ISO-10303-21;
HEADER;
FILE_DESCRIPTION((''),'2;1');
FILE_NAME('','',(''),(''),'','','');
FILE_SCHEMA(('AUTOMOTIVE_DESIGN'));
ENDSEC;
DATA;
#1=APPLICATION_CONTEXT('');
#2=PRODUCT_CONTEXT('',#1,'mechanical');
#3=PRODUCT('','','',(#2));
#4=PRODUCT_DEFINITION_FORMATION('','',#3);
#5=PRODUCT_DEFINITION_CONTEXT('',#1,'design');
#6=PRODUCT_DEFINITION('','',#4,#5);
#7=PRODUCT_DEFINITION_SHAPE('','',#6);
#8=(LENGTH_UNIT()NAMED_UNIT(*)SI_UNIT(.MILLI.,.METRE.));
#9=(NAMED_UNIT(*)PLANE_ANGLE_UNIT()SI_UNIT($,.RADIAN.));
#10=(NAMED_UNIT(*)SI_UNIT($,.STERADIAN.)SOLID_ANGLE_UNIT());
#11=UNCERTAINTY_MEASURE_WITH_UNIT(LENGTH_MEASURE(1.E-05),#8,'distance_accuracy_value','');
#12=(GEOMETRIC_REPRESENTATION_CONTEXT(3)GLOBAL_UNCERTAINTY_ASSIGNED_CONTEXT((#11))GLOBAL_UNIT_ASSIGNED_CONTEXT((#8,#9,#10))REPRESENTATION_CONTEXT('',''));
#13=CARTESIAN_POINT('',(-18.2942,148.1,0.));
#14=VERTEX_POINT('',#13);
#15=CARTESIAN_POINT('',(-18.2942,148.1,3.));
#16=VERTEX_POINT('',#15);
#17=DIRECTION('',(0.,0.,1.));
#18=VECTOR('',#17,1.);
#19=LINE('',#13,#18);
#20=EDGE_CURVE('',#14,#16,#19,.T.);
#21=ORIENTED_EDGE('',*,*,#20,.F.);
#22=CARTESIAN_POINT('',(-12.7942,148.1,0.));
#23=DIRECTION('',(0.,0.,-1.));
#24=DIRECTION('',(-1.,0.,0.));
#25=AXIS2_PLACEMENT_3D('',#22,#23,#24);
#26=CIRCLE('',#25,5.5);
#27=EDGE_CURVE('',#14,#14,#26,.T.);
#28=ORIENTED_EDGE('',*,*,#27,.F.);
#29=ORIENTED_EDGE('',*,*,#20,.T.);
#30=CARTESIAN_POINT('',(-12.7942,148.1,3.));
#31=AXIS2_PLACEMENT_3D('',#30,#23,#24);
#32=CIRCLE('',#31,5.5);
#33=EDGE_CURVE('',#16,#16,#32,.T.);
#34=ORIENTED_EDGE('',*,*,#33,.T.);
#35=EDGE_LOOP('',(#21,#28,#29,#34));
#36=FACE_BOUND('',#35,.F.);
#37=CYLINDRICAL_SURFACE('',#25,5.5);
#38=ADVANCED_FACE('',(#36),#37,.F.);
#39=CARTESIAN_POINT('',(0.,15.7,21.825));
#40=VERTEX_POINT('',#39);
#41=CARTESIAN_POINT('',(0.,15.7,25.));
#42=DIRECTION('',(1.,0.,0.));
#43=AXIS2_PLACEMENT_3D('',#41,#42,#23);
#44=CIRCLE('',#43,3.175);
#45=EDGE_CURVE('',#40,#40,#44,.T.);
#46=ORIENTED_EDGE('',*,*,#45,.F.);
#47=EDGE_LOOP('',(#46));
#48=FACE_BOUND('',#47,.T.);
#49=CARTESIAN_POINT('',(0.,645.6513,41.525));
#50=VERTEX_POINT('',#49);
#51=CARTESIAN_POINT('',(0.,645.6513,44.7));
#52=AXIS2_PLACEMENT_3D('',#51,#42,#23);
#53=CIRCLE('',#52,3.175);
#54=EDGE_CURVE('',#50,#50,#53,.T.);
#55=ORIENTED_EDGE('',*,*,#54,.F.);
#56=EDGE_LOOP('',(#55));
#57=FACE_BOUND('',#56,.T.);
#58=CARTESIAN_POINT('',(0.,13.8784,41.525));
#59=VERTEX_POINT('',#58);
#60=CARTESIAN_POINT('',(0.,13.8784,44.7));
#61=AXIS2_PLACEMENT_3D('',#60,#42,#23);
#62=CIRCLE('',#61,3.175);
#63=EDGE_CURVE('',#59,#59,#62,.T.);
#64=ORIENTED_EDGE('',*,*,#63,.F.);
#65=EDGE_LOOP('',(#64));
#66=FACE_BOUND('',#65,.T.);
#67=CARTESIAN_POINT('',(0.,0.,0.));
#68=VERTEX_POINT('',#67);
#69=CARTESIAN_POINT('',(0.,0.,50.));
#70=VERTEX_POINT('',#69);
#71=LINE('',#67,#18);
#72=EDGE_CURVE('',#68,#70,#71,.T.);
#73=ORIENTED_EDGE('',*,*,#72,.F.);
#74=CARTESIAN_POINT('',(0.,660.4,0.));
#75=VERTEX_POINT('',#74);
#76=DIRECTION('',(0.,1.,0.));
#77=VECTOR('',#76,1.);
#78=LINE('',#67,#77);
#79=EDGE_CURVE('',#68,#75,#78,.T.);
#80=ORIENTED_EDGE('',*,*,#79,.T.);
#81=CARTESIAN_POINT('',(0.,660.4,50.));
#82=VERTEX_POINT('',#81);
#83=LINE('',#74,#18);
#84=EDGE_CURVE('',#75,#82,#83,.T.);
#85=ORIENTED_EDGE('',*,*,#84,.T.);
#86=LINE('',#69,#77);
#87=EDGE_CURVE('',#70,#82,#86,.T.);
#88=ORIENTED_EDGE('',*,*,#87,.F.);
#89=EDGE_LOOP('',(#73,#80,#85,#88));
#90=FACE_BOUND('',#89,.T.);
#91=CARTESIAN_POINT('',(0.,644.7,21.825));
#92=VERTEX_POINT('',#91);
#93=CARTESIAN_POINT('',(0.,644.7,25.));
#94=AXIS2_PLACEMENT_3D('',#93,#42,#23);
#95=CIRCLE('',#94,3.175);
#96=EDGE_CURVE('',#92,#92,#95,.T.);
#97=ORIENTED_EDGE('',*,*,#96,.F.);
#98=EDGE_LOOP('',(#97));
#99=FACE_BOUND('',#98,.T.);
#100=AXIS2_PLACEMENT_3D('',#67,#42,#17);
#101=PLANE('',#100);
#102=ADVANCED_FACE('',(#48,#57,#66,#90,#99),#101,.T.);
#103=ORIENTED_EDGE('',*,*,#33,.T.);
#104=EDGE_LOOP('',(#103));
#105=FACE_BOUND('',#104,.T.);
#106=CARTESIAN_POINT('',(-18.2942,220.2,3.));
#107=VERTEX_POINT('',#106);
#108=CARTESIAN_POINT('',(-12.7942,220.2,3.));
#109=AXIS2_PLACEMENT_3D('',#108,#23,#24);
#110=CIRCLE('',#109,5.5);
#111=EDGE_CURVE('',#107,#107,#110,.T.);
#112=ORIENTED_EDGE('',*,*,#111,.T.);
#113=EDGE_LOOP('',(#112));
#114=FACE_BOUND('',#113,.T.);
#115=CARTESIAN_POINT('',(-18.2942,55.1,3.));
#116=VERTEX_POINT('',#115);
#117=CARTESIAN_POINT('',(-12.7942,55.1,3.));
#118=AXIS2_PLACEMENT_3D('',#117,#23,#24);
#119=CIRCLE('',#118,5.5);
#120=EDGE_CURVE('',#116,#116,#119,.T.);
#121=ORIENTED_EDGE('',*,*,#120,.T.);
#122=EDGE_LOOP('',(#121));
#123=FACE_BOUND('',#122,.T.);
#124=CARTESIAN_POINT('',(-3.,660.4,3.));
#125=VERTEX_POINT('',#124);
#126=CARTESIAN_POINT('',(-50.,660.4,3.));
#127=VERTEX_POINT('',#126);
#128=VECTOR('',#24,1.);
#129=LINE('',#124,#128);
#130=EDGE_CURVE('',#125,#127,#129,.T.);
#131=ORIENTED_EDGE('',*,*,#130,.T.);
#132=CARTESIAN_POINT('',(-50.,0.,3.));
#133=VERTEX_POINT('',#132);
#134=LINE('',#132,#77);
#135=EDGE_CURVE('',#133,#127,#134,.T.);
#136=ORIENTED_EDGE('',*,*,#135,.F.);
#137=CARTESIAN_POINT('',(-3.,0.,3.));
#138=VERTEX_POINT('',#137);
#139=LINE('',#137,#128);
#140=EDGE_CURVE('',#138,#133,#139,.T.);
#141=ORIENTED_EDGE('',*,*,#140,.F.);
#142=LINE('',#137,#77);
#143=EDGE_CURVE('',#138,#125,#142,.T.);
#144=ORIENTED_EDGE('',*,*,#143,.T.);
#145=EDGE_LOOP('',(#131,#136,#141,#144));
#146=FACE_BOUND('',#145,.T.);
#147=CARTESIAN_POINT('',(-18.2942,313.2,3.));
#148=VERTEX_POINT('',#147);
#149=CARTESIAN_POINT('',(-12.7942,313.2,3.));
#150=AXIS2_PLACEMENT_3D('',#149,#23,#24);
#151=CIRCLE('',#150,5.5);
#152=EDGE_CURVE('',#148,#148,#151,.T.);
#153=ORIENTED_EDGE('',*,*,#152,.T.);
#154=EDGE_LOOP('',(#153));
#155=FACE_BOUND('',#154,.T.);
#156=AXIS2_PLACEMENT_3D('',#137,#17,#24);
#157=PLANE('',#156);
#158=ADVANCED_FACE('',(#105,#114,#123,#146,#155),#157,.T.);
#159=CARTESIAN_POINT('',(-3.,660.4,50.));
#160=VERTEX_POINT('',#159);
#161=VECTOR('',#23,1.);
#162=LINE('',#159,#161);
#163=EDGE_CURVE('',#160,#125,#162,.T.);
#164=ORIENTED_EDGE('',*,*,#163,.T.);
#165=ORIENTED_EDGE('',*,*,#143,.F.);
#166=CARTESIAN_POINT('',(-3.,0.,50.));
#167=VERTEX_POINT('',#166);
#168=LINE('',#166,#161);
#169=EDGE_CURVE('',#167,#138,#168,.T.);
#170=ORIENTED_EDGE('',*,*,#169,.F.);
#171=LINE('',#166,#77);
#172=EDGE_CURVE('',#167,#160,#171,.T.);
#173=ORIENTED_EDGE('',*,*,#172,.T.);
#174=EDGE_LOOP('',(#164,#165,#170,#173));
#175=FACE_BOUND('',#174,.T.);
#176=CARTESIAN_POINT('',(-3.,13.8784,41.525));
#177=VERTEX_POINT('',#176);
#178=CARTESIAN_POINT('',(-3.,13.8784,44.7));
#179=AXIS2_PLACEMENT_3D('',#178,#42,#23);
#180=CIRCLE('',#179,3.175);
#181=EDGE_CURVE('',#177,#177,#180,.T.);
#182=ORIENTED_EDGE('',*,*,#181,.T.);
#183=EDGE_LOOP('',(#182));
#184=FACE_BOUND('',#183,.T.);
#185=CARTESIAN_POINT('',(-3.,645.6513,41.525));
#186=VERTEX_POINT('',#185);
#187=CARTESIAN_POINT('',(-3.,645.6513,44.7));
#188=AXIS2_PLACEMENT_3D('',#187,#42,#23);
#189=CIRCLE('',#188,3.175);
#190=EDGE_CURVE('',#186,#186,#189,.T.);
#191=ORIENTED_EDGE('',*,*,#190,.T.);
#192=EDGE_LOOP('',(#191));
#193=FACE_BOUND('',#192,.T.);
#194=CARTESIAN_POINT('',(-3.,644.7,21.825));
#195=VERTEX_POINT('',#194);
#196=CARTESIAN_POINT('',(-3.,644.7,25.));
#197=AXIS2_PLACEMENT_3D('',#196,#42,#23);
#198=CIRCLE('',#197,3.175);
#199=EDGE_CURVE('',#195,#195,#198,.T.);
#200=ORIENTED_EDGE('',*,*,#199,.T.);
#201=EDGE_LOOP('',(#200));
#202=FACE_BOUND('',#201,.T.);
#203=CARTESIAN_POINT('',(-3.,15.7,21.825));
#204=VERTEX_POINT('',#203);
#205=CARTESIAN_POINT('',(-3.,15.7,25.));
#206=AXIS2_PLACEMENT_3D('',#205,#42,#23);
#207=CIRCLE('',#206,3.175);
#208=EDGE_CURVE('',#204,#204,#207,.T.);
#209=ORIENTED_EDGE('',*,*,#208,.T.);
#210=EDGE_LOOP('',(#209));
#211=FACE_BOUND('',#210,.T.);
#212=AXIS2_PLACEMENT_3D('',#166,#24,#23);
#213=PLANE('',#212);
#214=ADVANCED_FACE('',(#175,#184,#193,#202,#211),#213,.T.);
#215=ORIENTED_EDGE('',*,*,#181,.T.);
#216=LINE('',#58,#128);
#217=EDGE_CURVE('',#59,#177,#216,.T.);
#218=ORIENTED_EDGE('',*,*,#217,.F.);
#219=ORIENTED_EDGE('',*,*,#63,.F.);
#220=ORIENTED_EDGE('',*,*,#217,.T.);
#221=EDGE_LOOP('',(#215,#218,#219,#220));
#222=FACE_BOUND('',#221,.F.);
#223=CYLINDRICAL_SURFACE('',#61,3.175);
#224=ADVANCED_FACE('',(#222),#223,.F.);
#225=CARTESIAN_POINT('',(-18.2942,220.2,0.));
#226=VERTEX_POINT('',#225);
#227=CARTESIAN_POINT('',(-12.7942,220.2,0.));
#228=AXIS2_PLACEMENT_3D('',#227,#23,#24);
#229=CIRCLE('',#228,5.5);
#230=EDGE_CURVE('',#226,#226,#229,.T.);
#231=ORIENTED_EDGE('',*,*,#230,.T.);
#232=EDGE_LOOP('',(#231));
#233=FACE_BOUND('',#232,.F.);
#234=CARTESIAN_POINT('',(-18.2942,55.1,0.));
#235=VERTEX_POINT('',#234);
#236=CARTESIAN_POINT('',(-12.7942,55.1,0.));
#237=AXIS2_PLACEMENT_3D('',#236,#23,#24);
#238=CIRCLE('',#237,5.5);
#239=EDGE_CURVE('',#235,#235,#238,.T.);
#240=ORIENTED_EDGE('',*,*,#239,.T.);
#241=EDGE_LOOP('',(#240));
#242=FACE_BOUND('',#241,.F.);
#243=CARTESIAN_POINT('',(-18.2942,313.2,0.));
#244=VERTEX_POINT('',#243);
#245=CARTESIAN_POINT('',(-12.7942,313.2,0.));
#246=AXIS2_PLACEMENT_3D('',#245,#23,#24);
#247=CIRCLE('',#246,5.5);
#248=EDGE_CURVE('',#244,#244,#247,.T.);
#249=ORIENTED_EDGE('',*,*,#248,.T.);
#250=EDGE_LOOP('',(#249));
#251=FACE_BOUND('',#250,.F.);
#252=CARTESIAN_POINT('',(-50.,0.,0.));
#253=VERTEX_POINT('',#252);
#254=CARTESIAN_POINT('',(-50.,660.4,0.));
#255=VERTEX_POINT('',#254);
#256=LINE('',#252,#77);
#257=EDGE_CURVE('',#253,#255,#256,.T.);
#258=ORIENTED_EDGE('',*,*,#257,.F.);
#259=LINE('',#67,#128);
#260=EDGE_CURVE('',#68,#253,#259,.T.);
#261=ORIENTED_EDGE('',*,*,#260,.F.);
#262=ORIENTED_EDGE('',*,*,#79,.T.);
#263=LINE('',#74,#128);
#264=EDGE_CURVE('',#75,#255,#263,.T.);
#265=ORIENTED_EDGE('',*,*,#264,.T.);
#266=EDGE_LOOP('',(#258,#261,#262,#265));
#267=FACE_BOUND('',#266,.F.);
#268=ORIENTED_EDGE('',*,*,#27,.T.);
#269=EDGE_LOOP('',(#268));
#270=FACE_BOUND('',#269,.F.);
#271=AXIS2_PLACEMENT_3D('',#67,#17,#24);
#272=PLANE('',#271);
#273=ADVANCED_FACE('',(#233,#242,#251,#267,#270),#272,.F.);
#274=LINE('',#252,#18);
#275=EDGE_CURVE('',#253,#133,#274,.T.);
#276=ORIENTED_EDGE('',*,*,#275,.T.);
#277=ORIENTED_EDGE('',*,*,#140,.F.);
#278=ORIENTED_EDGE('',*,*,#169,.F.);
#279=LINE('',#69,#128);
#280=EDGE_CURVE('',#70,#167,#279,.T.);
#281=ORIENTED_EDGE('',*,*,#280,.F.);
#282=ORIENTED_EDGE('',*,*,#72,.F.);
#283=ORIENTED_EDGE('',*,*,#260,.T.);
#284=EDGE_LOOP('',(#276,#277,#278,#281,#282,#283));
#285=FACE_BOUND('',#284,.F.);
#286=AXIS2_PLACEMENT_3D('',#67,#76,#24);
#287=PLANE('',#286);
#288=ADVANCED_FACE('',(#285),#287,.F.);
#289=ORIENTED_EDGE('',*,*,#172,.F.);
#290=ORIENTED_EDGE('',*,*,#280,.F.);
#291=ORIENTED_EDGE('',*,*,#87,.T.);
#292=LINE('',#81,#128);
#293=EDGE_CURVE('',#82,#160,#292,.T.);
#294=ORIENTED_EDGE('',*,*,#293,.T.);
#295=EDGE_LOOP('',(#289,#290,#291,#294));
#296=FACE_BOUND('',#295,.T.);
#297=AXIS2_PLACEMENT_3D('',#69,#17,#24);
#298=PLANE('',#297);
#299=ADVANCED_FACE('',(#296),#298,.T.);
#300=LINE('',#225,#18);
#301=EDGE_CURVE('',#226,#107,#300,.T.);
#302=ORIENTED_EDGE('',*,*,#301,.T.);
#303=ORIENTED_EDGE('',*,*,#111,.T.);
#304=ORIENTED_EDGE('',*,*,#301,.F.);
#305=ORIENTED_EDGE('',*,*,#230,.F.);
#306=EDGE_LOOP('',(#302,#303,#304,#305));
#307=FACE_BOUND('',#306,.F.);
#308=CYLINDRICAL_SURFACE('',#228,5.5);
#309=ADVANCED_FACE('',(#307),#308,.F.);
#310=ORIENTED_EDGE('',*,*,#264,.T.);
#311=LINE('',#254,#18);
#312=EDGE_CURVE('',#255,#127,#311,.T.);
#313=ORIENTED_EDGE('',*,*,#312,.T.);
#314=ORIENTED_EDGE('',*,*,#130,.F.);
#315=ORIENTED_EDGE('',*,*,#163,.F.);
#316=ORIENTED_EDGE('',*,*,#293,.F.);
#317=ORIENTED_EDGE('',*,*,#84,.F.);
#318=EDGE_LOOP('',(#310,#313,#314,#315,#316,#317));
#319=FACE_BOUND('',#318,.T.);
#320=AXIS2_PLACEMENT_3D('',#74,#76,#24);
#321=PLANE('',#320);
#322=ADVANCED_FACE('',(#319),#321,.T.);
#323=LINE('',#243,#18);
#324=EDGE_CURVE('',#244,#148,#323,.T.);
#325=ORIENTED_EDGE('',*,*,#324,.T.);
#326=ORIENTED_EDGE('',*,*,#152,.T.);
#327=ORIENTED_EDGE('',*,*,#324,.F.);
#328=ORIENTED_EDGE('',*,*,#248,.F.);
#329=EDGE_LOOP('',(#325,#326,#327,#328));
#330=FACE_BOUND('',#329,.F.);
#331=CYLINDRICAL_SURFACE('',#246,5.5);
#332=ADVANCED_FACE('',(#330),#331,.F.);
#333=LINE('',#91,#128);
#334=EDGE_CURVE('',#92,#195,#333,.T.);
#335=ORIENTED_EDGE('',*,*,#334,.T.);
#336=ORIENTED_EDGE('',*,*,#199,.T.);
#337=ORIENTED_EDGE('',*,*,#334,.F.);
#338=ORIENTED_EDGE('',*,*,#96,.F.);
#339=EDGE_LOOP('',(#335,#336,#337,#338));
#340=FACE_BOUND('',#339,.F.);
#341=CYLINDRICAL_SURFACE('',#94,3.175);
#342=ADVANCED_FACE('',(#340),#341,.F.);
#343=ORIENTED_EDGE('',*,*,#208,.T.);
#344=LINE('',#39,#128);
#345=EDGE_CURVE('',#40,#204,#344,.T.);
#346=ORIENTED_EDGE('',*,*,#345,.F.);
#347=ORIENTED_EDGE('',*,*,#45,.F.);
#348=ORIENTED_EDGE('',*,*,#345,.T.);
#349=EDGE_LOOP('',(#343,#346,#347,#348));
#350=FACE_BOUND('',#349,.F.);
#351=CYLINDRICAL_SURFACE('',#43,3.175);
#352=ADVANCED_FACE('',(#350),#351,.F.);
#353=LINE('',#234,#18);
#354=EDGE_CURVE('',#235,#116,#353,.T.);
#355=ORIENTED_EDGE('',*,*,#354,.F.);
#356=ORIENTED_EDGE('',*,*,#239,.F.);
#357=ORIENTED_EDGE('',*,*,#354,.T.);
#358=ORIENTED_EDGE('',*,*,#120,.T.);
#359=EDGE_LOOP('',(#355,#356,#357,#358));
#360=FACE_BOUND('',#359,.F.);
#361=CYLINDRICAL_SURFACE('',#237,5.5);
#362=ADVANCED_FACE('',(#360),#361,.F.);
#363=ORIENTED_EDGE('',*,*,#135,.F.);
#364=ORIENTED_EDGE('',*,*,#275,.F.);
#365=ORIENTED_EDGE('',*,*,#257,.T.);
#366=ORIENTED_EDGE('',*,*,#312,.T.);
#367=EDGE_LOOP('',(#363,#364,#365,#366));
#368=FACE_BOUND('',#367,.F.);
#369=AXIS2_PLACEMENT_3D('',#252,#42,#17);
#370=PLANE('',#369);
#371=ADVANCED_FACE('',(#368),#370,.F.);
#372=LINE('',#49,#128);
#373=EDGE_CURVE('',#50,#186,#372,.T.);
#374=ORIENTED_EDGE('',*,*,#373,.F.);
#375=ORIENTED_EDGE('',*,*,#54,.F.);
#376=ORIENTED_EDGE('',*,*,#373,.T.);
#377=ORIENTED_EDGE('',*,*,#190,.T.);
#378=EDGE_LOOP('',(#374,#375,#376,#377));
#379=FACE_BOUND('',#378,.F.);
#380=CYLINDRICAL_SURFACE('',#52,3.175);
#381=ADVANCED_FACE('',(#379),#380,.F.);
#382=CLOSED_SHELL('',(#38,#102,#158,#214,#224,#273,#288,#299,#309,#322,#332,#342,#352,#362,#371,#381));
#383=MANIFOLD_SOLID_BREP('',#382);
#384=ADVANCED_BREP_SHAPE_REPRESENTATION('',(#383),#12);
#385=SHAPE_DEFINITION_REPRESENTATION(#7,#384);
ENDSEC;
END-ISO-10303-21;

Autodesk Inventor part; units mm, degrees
ref_plane "YZ Plane" through (0, 0, 0) normal (1, 0, 0) x (0, 1, 0)
ref_plane "XZ Plane" through (0, 0, 0) normal (0, 1, 0) x (-1, 0, 0)
ref_plane "XY Plane" through (0, 0, 0) normal (0, 0, 1) x (1, 0, 0)
sketch "Sketch1" plane through (0, 0, 0) normal (0, 1, 0) x (-1, 0, 0)
  line L0 (0, 0) -> (50, 0)
  line L1 (50, 0) -> (50, 3)
  line L2 (0, 0) -> (0, 50)
  line L3 (0, 50) -> (3, 50)
  line L4 (3, 50) -> (3, 3)
  line L5 (3, 3) -> (50, 3)
  dimension "d0" = 50
  dimension "d1" = 3
  dimension "d2" = 50
  dimension "d3" = 3
extrude "Extrusion1" add sketch "Sketch1" along normal blind 660.4
sketch "Sketch3" plane through (0, 0, 50) normal (1, 0, 0) x (0, 0, -1)
  circle A0 centre (25, 15.7) radius 3.175
  circle A1 centre (25, 644.7) radius 3.175
  dimension "d57" = 6.35
  dimension "d59" = 6.35
extrude "Extrusion3" cut sketch "Sketch3" against normal blind 25.4
sketch "Sketch4" plane through (0, 0, 50) normal (1, 0, 0) x (0, 0, -1)
  circle A0 centre (5.3, 645.6513) radius 3.175
extrude "Extrusion4" cut sketch "Sketch4" against normal blind 25.4
sketch "Sketch5" plane through (0, 0, 50) normal (1, 0, 0) x (0, 0, -1)
  circle A0 centre (5.3, 13.8784) radius 3.175
extrude "Extrusion5" cut sketch "Sketch5" against normal blind 25.4
sketch "Sketch6" plane through (0, 0, 0) normal (0, 0, -1) x (-1, 0, 0)
  circle A0 centre (12.7942, 55.1) radius 5.5
  circle A1 centre (12.7942, 148.1) radius 5.5
  circle A2 centre (12.7942, 220.2) radius 5.5
  circle A3 centre (12.7942, 313.2) radius 5.5
extrude "Extrusion6" cut sketch "Sketch6" against normal blind 25.4
equation "\"d59\" = d57"
properties part number "26in Angle Channel CIM Mount Right" material "Aluminum 6061"
